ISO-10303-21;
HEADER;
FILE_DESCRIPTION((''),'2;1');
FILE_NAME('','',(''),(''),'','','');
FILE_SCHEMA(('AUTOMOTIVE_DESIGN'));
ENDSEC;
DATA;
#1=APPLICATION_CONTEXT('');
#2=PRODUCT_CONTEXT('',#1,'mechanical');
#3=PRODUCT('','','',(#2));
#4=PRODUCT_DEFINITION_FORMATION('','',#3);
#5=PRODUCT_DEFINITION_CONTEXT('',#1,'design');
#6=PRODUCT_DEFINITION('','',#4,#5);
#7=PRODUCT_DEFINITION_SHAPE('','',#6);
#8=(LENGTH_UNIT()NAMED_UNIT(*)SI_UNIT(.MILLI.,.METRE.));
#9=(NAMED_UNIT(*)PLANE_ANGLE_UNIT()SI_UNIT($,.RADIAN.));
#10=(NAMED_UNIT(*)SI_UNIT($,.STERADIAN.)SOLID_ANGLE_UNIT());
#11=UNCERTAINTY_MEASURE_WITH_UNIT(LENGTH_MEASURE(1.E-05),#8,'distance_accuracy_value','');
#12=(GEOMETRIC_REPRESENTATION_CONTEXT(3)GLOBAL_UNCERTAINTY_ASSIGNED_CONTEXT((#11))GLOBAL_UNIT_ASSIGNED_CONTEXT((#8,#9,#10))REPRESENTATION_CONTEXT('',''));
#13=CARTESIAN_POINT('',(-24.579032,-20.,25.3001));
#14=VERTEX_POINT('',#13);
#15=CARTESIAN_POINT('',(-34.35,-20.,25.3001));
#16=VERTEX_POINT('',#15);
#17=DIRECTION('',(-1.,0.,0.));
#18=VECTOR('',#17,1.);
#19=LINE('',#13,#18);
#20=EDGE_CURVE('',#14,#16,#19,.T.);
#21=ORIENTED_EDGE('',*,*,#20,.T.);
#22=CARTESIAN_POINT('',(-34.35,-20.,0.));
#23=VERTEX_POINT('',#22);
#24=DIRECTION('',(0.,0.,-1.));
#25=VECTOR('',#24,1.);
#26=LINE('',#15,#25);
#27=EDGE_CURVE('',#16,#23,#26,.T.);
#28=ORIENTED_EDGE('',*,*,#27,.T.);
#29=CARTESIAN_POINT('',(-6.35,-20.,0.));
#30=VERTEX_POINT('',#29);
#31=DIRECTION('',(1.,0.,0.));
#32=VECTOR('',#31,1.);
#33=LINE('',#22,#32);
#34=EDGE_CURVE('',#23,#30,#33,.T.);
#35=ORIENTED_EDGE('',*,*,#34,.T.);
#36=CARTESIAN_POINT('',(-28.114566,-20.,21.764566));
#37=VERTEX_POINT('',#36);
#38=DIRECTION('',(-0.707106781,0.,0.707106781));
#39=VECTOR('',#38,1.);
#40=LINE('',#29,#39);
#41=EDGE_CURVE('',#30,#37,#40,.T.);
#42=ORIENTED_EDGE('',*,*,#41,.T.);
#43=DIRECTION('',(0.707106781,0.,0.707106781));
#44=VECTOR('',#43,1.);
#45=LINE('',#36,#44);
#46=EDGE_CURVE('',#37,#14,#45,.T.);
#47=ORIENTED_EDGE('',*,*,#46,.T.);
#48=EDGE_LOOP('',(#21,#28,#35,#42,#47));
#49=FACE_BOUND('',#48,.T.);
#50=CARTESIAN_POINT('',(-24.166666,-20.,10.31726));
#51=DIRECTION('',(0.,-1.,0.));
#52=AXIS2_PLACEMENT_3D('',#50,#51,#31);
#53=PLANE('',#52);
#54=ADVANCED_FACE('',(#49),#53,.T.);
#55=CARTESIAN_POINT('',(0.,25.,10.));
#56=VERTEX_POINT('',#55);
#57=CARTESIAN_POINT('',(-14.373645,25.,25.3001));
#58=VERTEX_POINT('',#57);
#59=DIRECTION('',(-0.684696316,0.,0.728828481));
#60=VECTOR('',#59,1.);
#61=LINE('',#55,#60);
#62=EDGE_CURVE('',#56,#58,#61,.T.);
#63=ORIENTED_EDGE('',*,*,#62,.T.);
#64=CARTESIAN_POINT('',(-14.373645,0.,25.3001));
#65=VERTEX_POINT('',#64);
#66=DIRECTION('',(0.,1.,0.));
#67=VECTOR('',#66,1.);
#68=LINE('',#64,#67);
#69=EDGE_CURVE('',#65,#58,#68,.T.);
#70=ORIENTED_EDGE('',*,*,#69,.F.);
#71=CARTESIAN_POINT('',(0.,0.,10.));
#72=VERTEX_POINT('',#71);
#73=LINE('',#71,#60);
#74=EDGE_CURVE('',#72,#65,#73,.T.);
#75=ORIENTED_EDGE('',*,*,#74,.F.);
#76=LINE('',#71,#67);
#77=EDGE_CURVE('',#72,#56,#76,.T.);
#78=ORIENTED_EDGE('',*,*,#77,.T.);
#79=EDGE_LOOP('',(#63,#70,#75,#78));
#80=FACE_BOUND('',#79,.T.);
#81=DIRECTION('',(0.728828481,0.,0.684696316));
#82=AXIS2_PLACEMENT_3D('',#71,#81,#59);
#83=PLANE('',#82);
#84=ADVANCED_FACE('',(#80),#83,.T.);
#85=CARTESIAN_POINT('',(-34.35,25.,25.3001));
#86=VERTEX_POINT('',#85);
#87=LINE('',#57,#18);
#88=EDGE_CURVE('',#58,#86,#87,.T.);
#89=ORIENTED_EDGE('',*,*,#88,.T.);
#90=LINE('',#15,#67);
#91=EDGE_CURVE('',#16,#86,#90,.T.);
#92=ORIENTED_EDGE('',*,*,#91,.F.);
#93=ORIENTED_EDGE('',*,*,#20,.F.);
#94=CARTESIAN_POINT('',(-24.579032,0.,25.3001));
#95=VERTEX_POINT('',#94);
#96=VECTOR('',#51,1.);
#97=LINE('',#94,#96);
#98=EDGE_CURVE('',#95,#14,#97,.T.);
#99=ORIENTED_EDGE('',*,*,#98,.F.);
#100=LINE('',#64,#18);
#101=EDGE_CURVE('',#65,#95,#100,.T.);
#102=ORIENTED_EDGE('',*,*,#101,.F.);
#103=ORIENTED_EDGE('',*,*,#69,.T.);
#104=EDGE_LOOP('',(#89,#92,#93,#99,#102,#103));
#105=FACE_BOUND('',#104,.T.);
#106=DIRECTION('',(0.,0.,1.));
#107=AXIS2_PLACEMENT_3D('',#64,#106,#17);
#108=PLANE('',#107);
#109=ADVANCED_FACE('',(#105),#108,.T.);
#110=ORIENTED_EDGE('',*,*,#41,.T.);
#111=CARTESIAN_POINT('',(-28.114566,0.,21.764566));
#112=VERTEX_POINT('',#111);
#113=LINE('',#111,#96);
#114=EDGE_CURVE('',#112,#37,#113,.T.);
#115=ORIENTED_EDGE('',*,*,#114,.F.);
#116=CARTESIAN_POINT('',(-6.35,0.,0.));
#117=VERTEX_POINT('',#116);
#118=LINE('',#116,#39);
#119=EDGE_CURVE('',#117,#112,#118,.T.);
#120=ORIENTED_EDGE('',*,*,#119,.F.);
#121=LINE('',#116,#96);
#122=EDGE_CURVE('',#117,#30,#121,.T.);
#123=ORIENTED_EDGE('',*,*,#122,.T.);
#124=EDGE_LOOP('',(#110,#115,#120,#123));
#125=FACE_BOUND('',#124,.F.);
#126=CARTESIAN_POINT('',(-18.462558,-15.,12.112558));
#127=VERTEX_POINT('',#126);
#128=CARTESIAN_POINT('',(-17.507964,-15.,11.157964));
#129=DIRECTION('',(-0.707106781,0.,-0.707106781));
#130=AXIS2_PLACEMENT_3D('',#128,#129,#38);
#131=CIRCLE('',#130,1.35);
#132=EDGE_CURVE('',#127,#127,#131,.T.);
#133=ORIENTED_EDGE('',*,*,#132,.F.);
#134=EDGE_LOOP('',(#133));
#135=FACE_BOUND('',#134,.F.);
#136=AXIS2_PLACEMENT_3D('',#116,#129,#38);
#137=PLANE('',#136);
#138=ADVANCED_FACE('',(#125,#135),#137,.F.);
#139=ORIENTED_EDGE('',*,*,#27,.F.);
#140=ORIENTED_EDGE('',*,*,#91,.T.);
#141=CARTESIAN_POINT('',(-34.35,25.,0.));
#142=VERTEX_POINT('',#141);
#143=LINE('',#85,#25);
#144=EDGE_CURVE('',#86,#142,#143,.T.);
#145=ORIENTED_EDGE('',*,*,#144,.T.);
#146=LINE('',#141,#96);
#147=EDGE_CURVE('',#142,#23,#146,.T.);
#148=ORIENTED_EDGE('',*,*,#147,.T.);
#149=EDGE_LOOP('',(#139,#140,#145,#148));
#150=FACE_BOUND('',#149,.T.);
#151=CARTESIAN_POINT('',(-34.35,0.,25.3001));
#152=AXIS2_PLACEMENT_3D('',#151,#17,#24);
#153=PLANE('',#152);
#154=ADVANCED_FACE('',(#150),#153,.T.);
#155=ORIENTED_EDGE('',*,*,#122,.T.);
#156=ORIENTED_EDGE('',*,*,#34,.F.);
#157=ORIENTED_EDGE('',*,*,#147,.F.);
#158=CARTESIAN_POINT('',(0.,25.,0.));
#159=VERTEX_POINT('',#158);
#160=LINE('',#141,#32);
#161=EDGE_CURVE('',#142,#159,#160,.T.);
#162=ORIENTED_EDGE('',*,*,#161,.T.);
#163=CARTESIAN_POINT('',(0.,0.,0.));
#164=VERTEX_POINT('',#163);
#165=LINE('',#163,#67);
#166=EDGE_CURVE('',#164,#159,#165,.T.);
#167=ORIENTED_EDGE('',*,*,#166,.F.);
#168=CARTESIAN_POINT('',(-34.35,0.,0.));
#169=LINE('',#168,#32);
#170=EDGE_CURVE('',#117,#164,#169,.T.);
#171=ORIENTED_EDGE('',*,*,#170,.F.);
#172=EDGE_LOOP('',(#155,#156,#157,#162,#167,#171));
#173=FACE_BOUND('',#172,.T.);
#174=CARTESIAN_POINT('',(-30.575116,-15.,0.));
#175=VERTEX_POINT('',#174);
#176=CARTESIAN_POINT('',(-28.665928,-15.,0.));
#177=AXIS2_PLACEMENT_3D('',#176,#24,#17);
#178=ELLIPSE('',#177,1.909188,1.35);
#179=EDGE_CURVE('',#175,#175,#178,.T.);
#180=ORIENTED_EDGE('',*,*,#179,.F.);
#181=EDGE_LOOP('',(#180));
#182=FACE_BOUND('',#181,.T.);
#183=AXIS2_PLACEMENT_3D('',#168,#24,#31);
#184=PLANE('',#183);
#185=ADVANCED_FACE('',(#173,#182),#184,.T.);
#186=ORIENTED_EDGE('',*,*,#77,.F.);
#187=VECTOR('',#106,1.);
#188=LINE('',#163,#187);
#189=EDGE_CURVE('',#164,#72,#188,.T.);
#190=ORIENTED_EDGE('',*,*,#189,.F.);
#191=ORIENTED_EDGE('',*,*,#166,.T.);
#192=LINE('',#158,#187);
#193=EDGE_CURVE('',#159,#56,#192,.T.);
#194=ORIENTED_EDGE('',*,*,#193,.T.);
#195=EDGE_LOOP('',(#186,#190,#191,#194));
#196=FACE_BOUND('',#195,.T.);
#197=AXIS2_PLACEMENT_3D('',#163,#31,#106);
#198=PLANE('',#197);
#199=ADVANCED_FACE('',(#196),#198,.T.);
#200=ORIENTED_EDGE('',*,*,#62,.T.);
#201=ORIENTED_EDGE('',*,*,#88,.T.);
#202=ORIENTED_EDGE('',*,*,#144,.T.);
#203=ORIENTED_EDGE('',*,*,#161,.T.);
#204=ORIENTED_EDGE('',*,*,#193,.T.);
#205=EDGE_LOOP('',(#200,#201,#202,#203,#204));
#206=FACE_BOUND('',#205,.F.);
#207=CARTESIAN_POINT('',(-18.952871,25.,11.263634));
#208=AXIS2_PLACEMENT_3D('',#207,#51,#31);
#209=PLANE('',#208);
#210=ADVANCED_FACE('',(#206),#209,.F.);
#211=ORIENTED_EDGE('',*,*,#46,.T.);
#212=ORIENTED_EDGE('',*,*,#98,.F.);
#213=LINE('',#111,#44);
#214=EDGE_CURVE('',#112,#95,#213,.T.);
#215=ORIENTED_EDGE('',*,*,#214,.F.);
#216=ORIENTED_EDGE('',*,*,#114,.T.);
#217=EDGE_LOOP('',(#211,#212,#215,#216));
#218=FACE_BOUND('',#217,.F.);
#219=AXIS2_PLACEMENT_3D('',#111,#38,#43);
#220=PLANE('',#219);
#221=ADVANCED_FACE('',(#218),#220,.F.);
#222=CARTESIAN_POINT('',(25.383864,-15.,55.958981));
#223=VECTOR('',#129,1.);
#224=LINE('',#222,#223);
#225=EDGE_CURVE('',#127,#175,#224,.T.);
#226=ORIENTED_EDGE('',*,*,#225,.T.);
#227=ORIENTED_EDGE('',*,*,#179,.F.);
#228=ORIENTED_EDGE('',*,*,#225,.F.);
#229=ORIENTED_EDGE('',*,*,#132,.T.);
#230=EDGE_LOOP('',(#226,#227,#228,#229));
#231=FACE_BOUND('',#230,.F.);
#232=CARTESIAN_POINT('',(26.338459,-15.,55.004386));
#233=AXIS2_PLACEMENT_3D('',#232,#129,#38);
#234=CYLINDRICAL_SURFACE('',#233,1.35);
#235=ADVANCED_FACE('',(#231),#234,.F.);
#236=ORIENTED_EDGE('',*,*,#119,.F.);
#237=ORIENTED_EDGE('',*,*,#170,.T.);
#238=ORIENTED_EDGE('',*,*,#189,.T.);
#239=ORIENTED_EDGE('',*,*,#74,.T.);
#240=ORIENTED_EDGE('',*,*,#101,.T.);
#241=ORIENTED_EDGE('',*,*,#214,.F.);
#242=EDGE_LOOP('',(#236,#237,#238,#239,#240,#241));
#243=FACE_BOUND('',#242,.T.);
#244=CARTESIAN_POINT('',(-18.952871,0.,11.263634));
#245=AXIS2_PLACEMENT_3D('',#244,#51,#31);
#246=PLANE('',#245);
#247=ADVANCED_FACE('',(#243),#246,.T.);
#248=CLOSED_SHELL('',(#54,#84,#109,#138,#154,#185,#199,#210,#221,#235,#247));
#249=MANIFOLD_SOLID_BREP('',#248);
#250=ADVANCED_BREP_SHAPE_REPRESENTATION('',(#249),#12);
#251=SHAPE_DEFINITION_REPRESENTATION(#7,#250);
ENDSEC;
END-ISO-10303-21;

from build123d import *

# Parameters (mm, degrees)
F1_DEPTH = 20
F3_DEPTH = 25
F5_D     = 2.7


with BuildPart() as f1:
    # F0 (on Front) → F1 (new body)
    with BuildSketch(Plane.XZ):
        Polygon((-34.35, 0), (-6.35, 0), (-28.11456562, 21.76456562), (-24.579031714, 25.3000995259), (-34.35, 25.3000995259), align=None)
    extrude(amount=F1_DEPTH)

    # F2 (on face) → F3 (join)
    with BuildSketch(Plane.XZ):
        Polygon((-34.35, 25.3000995259), (-34.35, 0), (0, 0), (0, 10), (-14.3736449024, 25.3000995259), (-24.579031714, 25.3000995259), align=None)
    extrude(amount=-F3_DEPTH)

    # F5 (through all)
    with Locations(Plane(origin=(-3.175, 0, -3.175), x_dir=(0.7071067812, 0, -0.7071067812), z_dir=(0.7071067812, 0, 0.7071067812))):
        with Locations((-20.2698719395, -15)):
            Hole(F5_D / 2)


solid = f1.part
